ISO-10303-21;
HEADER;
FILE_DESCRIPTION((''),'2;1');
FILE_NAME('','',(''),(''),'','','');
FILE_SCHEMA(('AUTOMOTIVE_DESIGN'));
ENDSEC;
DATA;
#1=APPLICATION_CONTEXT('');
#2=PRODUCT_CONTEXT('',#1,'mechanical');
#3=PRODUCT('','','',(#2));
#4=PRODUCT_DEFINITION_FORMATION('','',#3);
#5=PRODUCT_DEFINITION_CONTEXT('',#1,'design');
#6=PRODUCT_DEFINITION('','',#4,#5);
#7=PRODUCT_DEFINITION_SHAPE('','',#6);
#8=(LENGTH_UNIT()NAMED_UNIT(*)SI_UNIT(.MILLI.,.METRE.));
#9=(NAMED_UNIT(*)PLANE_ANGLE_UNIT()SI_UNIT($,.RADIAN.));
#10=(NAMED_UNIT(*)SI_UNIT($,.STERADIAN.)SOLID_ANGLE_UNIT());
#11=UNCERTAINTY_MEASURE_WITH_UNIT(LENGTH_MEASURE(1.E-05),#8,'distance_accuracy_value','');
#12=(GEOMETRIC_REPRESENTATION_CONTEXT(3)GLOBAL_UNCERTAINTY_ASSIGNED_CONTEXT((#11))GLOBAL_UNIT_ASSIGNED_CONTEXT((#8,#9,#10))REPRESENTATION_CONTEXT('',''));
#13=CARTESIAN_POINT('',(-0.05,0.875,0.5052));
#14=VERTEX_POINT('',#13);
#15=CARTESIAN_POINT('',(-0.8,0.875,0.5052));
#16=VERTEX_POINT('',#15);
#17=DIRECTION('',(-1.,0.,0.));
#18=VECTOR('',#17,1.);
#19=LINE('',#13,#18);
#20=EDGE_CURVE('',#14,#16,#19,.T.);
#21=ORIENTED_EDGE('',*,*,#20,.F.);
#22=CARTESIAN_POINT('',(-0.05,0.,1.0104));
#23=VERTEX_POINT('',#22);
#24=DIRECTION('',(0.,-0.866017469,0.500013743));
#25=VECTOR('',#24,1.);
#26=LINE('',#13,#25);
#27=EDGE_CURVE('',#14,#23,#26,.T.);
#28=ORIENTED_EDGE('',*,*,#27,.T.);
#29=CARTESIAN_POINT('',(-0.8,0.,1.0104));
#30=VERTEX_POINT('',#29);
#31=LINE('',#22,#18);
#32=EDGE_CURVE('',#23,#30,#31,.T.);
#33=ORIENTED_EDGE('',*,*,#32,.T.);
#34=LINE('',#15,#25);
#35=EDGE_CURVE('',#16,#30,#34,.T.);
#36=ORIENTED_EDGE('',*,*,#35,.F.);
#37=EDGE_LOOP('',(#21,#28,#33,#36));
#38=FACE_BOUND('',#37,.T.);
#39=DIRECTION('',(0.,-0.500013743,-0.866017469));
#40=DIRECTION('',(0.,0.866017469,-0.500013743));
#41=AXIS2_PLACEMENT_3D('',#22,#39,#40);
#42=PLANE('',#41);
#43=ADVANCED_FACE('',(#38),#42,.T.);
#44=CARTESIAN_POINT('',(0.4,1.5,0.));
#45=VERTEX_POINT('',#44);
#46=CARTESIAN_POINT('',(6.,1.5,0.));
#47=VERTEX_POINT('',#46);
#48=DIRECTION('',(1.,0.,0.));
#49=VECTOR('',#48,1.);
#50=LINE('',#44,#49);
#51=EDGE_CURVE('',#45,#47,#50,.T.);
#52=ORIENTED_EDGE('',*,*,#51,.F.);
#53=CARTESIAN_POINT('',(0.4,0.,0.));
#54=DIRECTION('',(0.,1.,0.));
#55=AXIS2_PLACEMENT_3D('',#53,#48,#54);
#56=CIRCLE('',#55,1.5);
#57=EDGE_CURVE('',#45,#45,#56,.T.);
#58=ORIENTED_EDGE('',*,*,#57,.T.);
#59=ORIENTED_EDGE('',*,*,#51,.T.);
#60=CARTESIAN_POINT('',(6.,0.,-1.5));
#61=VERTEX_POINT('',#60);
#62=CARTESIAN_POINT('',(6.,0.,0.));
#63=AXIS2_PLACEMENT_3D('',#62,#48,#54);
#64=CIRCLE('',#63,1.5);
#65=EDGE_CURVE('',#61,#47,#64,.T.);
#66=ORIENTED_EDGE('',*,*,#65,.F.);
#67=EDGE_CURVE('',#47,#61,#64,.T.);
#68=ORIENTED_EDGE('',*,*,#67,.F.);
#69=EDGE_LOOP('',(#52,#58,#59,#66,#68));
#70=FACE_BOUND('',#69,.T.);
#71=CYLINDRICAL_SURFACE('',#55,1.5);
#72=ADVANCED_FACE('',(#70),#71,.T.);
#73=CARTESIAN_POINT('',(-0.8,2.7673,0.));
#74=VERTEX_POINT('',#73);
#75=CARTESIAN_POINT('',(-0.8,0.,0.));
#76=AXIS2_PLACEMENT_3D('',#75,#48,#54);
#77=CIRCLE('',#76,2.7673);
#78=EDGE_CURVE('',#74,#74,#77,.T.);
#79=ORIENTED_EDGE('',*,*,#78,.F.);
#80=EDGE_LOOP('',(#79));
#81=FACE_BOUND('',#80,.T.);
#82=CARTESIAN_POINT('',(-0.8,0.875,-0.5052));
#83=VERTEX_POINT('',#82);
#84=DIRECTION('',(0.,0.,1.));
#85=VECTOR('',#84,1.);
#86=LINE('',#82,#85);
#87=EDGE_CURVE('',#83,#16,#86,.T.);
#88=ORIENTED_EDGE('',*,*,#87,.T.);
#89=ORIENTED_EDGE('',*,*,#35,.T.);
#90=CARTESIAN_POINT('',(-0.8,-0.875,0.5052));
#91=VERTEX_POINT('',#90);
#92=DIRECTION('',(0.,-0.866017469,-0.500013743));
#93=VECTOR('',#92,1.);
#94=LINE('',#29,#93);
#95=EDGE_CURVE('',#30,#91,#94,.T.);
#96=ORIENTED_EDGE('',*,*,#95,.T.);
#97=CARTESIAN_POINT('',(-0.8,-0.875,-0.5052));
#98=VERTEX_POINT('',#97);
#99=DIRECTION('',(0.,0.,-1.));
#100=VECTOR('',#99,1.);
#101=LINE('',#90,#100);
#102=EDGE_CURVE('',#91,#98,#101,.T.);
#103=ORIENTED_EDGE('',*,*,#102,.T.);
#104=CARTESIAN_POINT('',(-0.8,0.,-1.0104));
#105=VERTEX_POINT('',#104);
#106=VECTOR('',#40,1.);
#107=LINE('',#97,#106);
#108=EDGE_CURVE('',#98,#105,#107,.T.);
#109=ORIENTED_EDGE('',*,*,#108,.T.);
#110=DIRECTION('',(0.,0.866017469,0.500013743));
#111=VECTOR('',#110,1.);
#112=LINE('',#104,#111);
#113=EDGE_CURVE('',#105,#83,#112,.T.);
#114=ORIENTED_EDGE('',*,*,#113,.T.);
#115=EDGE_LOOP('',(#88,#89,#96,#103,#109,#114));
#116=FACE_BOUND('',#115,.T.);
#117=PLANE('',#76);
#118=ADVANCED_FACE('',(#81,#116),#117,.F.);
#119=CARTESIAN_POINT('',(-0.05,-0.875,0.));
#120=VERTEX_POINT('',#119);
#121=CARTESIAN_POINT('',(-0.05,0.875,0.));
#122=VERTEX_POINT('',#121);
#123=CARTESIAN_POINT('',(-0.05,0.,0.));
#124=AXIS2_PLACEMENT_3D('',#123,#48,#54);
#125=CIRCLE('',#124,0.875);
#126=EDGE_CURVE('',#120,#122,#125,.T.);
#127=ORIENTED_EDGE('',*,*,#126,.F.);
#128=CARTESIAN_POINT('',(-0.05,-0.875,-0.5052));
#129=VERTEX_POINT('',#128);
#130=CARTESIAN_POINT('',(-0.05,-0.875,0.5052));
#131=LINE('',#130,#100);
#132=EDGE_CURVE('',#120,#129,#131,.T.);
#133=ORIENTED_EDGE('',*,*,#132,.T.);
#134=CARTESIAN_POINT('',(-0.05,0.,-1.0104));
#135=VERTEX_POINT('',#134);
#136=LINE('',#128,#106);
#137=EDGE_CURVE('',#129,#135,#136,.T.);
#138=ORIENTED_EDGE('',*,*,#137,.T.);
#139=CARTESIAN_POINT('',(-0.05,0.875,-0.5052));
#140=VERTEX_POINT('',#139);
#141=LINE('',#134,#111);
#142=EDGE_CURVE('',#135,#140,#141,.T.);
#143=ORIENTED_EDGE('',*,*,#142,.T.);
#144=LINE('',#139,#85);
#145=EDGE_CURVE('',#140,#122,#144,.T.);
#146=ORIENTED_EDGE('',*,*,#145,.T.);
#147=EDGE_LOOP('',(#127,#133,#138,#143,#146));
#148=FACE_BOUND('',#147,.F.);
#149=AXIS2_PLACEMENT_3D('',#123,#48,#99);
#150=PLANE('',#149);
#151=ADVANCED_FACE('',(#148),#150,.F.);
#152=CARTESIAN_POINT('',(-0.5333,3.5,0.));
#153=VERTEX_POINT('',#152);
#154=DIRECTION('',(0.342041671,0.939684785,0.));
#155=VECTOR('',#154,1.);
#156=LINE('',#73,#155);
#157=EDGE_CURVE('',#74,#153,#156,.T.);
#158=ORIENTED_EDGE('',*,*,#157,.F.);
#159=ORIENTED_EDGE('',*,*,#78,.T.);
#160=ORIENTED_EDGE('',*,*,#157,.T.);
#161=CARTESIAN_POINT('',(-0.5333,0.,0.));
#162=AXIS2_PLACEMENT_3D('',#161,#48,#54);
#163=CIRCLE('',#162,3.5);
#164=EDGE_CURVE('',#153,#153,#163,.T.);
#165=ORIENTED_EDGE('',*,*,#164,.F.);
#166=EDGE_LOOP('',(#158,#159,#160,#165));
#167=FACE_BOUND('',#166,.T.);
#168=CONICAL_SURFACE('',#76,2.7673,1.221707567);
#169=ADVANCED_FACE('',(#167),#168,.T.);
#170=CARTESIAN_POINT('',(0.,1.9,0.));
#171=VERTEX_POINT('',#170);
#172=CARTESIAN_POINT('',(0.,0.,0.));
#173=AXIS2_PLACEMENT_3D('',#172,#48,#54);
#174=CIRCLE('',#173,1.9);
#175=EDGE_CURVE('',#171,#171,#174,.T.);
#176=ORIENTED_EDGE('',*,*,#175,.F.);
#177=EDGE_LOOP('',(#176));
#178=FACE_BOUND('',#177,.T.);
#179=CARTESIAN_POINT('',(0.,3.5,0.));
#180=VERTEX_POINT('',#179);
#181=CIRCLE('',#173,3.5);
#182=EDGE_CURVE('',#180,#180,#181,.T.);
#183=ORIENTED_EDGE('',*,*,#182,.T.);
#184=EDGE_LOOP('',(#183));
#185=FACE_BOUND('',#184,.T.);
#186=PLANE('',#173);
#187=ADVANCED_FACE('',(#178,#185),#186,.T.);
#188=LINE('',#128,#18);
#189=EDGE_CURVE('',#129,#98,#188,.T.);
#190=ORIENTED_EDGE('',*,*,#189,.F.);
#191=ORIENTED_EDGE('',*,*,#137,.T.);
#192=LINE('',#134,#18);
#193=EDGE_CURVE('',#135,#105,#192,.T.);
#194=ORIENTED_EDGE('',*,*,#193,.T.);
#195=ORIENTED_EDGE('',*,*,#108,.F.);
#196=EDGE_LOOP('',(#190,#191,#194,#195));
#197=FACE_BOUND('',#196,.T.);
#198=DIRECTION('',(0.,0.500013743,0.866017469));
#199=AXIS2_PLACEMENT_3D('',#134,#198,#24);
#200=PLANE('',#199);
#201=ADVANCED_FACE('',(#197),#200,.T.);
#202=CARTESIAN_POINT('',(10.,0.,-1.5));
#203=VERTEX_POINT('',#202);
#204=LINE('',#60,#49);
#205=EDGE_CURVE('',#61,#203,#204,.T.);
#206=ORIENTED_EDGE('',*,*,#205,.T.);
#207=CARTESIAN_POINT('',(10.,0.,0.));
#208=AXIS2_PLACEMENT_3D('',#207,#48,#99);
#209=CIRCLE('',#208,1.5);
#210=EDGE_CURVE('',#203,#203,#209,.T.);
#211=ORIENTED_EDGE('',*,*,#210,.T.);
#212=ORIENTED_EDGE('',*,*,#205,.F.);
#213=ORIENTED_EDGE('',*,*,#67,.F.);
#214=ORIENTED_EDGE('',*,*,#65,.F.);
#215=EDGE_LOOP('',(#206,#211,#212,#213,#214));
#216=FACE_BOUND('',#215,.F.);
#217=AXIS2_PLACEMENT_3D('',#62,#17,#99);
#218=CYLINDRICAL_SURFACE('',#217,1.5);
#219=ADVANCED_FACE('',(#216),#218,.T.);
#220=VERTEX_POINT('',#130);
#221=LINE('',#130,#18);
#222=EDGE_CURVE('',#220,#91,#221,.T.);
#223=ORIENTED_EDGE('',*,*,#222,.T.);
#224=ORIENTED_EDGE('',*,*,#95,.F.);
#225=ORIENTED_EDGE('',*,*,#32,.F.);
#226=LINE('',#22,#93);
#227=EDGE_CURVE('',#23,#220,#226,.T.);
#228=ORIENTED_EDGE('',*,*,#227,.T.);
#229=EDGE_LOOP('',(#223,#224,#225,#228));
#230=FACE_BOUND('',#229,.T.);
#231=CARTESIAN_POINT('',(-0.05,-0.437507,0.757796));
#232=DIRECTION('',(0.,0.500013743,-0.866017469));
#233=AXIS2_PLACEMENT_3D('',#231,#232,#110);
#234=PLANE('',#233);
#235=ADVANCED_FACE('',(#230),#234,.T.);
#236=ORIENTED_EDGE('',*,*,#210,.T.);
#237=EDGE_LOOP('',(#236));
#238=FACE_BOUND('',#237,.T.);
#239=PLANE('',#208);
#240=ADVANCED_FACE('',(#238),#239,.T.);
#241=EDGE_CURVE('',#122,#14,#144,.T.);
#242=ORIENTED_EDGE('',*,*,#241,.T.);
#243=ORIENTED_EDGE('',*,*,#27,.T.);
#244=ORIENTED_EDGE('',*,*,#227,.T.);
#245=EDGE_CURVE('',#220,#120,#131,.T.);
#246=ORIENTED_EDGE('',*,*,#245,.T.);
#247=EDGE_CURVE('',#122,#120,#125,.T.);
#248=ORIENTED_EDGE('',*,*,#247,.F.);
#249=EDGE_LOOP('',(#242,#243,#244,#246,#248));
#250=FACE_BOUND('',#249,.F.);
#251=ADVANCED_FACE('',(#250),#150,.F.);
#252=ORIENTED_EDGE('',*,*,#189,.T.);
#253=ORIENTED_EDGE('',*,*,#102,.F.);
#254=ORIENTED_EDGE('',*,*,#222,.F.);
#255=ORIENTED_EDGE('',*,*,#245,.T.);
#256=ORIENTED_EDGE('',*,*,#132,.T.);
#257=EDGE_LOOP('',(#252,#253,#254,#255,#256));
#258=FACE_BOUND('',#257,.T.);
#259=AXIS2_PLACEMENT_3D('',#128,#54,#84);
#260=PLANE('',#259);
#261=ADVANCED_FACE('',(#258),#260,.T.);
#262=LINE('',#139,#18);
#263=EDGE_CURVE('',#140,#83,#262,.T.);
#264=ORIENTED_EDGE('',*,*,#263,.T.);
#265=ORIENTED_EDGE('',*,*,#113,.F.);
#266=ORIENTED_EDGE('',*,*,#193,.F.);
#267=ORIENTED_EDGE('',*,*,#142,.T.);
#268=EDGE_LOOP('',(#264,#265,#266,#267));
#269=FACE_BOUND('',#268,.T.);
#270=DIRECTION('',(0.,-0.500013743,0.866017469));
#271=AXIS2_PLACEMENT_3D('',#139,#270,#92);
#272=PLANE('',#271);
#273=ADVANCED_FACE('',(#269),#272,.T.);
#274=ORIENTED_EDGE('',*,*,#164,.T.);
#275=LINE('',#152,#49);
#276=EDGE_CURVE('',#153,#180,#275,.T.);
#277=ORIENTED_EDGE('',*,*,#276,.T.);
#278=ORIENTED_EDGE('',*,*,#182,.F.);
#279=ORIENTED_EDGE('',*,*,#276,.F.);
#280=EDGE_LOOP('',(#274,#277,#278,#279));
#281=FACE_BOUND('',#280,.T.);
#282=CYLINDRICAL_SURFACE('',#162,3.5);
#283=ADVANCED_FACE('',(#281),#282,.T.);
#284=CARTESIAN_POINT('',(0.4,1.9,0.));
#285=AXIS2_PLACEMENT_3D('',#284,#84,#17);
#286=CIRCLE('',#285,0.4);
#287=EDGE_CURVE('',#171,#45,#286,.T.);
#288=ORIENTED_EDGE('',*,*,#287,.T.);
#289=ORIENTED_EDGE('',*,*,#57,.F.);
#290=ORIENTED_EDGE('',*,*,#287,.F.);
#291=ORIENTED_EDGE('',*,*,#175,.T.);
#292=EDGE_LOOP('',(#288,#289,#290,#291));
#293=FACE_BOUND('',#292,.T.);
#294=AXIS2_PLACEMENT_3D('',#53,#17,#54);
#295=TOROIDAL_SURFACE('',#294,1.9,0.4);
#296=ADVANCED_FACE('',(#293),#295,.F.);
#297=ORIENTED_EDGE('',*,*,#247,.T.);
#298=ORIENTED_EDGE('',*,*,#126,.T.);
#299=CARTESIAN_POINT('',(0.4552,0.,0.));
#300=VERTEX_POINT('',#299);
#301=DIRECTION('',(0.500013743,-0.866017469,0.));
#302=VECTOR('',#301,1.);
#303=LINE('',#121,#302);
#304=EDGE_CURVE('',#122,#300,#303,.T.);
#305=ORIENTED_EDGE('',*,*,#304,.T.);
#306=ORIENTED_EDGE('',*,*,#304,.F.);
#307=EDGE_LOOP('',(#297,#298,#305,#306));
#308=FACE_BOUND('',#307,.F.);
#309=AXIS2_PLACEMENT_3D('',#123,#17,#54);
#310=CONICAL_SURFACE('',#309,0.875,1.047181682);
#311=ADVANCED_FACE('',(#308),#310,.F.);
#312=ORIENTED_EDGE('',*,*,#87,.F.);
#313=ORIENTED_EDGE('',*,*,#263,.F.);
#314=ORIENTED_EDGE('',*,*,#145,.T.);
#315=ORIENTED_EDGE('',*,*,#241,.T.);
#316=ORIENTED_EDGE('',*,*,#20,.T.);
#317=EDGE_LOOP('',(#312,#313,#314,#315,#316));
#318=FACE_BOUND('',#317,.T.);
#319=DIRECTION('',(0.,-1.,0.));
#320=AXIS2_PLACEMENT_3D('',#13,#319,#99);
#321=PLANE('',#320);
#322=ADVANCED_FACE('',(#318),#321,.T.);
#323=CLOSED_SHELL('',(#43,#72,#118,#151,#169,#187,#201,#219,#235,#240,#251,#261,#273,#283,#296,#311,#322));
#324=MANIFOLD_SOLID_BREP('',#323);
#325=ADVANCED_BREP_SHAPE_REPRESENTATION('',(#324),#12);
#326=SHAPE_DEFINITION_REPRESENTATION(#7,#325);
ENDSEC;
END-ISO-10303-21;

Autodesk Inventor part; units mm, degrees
ref_plane "YZ Plane" through (0, 0, 0) normal (1, 0, 0) x (0, 1, 0)
ref_plane "XZ Plane" through (0, 0, 0) normal (0, 1, 0) x (-1, 0, 0)
ref_plane "XY Plane" through (0, 0, 0) normal (0, 0, 1) x (1, 0, 0)
sketch "Sketch_1" plane through (0, 0, 0) normal (0, 0, 1) x (1, 0, 0)
  line L0 (6, 0) -> (0, 0)
  line L1 (-0.8, 0) -> (-0.8, 2.7673)
  line L2 (-0.8, 2.7673) -> (-0.5333, 3.5)
  line L3 (-0.5333, 3.5) -> (0, 3.5)
  line L4 (0, 3.5) -> (0, 1.9)
  arc A0 (0, 1.9) -> (0.4, 1.5) centre (0.4, 1.9) ccw
  line L5 (0.4, 1.5) -> (6, 1.5)
  line L6 (6, 1.5) -> (6, 0)
  line L7 (6, 0) -> (-0.8, 0)
  line L8 (0, 0) -> (-0.8, 0)
  dimension "d6" = 6
revolve "Revolution1" add sketch "Sketch_1" angle 360 about axis through (6, 0, 0) along (1, 0, 0)
sketch "Sketch_5" plane through (-0.05, 0, 0) normal (1, 0, 0) x (0, 0, -1)
  arc A0 (-0.6801, -0.1159) -> (-0.4404, -0.531) centre (-0.5499, -0.3175) ccw
  arc A1 (-0.341, -0.5357) -> (-0.4404, -0.531) centre (-0.3947, -0.62) ccw
  arc A2 (-0.341, -0.5357) -> (-0.2934, -0.5632) centre (0, 0) ccw
  arc A3 (-0.2397, -0.6469) -> (-0.2934, -0.5632) centre (-0.3396, -0.6519) ccw
  arc A4 (-0.2397, -0.6469) -> (0.2397, -0.6469) centre (0, -0.635) ccw
  arc A5 (0.2934, -0.5632) -> (0.2397, -0.6469) centre (0.3396, -0.6519) ccw
  arc A6 (0.2934, -0.5632) -> (0.341, -0.5357) centre (0, 0) ccw
  arc A7 (0.4404, -0.531) -> (0.341, -0.5357) centre (0.3947, -0.62) ccw
  arc A8 (0.4404, -0.531) -> (0.6801, -0.1159) centre (0.5499, -0.3175) ccw
  arc A9 (0.6344, -0.0275) -> (0.6801, -0.1159) centre (0.7343, -0.0318) ccw
  arc A10 (0.6344, -0.0275) -> (0.6344, 0.0275) centre (0, 0) ccw
  arc A11 (0.6801, 0.1159) -> (0.6344, 0.0275) centre (0.7343, 0.0318) ccw
  arc A12 (0.6801, 0.1159) -> (0.4404, 0.531) centre (0.5499, 0.3175) ccw
  arc A13 (0.341, 0.5357) -> (0.4404, 0.531) centre (0.3947, 0.62) ccw
  arc A14 (0.341, 0.5357) -> (0.2934, 0.5632) centre (0, 0) ccw
  arc A15 (0.2397, 0.6469) -> (0.2934, 0.5632) centre (0.3396, 0.6519) ccw
  arc A16 (0.2397, 0.6469) -> (-0.2397, 0.6469) centre (0, 0.635) ccw
  arc A17 (-0.2934, 0.5632) -> (-0.2397, 0.6469) centre (-0.3396, 0.6519) ccw
  arc A18 (-0.2934, 0.5632) -> (-0.341, 0.5357) centre (0, 0) ccw
  arc A19 (-0.4404, 0.531) -> (-0.341, 0.5357) centre (-0.3947, 0.62) ccw
  arc A20 (-0.4404, 0.531) -> (-0.6801, 0.1159) centre (-0.5499, 0.3175) ccw
  arc A21 (-0.6344, 0.0275) -> (-0.6801, 0.1159) centre (-0.7343, 0.0318) ccw
  arc A22 (-0.6344, 0.0275) -> (-0.6344, -0.0275) centre (0, 0) ccw
  arc A23 (-0.6801, -0.1159) -> (-0.6344, -0.0275) centre (-0.7343, -0.0318) ccw
  line L0 (0.5052, 0.875) -> (1.0104, 0)
  line L1 (1.0104, 0) -> (0.5052, -0.875)
  line L2 (0.5052, -0.875) -> (-0.5052, -0.875)
  line L3 (-0.5052, -0.875) -> (-1.0104, 0)
  line L4 (-1.0104, 0) -> (-0.5052, 0.875)
  line L5 (-0.5052, 0.875) -> (0.5052, 0.875)
  point P0 (0, 0.875)
  point P1 (0.7578, 0.4375)
  point P2 (-0.7578, 0.4375)
  point P3 (0, -0.875)
  point P4 (0.7578, -0.4375)
  point P5 (-0.7578, -0.4375)
extrude "Extrusion1" cut sketch "Sketch_5" against normal blind 0.75
sketch "Sketch_2" plane through (0, 0, 0) normal (0, 0, 1) x (1, 0, 0)
  line L0 (0.4552, 0) -> (0, 0)
  line L1 (-0.05, 0) -> (-0.05, 0.875)
  line L2 (-0.05, 0.875) -> (0.4552, 0)
  line L3 (0.4552, 0) -> (-0.05, 0)
  line L4 (-0.05, 0.875) -> (-0.8, 0.875) projected
revolve "Revolution2" cut sketch "Sketch_2" angle 360 about axis through (0.4552, 0, 0) along (1, 0, 0)
sketch "スケッチ4" plane through (6, 0, 0) normal (1, 0, 0) x (0, 0, -1)
  circle A0 centre (0, 0) radius 1.5 projected
extrude "押し出し2" add sketch "スケッチ4" along normal blind 4
thread "Thread1" size "M3x0.5" class "6g" standard "ANSI Metric M Profile" length 9.5 offset 0.1
properties part number "超極低頭ネジL10M3" material "ステンレス鋼 440C"
